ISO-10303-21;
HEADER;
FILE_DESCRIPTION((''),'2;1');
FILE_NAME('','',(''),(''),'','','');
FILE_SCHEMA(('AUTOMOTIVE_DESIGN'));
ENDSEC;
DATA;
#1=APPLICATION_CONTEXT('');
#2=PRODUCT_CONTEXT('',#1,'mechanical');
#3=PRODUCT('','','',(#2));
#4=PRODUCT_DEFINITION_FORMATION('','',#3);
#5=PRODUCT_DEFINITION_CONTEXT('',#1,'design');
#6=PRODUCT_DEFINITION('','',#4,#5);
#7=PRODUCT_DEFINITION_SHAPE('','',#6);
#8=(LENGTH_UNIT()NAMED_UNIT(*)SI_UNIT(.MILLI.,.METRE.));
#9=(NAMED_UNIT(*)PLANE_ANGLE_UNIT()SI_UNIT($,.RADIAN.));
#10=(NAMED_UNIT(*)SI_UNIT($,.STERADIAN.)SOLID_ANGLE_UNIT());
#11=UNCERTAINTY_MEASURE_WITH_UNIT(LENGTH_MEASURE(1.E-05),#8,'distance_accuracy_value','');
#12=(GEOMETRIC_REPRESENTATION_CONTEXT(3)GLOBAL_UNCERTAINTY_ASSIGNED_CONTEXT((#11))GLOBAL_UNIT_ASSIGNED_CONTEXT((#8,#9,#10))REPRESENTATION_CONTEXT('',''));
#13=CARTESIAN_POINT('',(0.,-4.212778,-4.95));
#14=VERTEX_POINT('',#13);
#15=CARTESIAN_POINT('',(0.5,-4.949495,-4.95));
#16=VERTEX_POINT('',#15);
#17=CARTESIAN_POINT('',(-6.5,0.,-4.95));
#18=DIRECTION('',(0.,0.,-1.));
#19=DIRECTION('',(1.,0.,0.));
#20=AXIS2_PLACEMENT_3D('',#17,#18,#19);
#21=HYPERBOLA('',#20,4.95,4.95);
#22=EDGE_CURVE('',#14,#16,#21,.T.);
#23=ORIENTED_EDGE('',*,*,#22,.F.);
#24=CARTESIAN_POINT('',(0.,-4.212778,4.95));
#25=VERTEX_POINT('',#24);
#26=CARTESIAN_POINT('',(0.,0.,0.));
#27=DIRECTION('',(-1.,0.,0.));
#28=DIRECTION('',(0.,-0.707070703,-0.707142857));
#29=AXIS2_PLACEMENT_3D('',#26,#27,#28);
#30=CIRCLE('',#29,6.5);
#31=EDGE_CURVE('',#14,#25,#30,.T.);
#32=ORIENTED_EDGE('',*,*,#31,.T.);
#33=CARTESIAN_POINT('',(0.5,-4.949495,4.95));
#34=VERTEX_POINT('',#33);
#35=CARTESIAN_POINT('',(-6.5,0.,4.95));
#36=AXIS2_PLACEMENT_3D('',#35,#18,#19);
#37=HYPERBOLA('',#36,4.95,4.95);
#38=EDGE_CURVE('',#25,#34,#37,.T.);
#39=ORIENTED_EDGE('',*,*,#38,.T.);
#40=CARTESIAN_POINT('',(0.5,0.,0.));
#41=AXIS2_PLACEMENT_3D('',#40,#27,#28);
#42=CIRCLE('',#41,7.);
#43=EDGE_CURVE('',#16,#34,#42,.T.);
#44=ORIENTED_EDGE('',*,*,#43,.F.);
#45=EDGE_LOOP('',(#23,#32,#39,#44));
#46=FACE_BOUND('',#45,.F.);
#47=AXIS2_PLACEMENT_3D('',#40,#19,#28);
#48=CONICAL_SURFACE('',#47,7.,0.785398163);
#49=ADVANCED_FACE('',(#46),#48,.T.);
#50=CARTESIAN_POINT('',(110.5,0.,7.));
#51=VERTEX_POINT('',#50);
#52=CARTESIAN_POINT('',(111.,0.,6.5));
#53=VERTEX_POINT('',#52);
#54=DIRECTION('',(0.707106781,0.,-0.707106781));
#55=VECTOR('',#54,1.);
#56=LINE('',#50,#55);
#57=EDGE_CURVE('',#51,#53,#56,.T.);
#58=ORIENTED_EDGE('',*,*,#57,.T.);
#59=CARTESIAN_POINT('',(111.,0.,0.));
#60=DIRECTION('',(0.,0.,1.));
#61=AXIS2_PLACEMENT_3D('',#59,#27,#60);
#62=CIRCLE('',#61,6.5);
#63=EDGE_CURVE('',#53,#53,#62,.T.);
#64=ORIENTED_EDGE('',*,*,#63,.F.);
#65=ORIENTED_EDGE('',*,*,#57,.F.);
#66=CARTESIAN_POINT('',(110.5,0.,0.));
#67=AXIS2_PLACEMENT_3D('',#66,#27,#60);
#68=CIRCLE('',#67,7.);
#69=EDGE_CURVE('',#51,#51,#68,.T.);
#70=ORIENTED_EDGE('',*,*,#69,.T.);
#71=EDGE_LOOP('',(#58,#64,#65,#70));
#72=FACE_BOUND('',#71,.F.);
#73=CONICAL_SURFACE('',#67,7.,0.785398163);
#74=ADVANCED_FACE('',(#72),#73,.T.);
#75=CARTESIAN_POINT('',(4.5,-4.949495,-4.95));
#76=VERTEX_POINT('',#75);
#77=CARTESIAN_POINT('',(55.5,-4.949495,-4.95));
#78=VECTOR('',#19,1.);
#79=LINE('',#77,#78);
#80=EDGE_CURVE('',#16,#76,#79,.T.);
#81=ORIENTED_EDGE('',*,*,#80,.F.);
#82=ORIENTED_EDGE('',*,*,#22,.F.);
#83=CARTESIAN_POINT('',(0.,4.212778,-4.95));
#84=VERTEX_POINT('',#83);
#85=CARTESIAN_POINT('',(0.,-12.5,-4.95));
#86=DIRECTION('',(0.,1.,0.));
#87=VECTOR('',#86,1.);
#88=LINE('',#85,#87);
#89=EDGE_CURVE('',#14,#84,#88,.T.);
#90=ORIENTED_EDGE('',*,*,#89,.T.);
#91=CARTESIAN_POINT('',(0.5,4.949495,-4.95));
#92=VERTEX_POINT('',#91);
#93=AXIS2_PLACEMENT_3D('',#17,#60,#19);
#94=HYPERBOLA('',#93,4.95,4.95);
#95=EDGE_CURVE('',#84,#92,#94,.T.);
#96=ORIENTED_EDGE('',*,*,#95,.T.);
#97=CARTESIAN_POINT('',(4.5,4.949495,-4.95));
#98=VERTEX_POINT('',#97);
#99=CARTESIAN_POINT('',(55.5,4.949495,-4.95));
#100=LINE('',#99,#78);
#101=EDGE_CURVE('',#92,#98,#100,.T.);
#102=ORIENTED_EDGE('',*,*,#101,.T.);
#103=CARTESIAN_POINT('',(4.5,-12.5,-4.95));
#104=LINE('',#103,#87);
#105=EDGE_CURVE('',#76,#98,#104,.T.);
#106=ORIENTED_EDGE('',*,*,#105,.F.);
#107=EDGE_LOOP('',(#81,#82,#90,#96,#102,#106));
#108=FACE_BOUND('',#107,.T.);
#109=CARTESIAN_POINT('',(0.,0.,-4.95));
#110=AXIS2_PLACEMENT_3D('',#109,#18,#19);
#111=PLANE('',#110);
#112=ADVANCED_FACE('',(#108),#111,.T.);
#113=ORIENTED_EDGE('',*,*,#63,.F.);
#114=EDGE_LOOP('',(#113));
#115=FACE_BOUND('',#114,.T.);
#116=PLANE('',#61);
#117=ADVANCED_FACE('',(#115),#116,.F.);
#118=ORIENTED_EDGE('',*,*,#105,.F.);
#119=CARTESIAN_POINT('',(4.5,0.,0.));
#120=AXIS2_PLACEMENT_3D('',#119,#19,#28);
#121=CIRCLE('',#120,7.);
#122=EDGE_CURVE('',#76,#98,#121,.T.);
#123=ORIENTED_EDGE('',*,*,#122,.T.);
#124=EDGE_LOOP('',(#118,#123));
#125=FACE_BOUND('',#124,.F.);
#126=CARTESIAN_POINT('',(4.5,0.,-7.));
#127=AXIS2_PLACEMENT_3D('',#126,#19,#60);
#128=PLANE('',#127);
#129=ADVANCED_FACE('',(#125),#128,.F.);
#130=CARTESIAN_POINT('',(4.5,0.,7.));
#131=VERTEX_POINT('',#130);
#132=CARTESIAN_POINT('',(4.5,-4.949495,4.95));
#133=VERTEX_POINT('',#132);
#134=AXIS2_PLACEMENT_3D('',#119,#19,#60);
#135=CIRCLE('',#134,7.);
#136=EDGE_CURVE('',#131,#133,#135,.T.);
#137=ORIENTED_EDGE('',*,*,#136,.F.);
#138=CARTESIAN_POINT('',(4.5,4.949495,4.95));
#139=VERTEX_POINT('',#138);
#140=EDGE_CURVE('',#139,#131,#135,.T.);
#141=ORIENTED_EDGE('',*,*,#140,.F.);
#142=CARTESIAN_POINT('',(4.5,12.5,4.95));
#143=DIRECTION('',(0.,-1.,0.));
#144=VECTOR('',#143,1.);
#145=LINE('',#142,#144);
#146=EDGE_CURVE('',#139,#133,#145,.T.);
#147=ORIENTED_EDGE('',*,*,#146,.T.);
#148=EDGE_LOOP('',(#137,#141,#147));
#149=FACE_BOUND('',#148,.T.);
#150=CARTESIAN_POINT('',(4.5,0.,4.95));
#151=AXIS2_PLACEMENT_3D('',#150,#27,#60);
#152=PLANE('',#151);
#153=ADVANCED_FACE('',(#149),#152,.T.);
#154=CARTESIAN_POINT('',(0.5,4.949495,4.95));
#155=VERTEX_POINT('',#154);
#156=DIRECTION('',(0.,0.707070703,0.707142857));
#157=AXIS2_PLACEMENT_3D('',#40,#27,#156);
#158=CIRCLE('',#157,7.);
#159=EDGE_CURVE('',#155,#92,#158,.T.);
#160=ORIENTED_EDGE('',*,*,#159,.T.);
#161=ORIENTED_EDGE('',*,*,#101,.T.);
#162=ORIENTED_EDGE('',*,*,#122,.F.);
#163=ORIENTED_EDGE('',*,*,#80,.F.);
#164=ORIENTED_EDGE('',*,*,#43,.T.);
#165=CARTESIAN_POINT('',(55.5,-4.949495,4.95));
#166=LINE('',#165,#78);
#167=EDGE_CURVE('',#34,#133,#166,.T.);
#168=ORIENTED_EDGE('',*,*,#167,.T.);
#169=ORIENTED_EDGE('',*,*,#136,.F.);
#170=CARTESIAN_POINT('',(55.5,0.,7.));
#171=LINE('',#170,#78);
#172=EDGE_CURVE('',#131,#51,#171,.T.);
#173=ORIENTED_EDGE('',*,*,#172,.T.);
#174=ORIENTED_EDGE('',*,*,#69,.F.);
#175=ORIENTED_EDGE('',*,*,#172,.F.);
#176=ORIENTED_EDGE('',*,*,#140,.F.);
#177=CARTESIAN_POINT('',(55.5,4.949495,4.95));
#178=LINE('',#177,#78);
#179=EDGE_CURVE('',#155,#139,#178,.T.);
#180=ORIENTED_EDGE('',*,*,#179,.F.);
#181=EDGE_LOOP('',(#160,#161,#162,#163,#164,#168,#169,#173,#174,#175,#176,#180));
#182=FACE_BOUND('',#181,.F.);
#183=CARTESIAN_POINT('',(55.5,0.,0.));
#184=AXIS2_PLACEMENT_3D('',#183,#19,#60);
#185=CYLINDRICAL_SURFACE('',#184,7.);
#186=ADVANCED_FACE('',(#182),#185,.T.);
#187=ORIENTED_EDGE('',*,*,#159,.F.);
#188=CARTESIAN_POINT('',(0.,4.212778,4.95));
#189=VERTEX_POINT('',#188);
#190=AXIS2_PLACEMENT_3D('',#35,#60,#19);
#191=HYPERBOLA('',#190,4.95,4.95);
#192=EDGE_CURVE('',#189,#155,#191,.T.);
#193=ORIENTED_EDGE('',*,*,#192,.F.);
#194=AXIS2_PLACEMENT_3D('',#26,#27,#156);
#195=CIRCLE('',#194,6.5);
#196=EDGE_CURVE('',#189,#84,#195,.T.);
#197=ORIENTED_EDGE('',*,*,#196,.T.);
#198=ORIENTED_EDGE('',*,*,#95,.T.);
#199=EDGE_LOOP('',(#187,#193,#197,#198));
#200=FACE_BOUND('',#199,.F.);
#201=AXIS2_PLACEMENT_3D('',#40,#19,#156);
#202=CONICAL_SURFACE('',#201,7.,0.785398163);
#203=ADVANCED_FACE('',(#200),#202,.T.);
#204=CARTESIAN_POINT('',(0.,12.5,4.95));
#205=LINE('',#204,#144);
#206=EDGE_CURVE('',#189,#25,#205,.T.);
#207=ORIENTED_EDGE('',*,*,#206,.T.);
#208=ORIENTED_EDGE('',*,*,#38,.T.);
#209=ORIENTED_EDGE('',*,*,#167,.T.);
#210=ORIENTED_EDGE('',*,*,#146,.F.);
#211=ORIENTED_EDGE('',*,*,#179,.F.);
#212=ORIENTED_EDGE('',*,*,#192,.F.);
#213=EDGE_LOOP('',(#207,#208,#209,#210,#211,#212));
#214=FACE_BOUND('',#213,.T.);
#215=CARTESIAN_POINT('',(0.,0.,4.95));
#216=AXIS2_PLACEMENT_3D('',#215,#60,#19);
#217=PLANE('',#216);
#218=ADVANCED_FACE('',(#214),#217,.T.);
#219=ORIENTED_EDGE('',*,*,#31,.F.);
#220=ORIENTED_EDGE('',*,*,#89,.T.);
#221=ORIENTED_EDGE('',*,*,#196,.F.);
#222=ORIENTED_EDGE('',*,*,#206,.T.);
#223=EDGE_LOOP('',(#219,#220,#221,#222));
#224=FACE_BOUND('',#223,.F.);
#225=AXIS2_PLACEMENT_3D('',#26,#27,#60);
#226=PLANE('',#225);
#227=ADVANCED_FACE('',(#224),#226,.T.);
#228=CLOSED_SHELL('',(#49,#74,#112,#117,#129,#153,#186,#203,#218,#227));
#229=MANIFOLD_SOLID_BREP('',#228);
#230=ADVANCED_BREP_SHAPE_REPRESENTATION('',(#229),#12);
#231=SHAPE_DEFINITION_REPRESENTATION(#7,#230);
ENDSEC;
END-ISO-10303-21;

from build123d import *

# Parameters (mm, degrees)
F0_W     = 111
F0_H     = 7
F2_W     = 4.5
F2_H     = 2.05
F3_DEPTH = 12.5
F4_SIZE  = 0.5


with BuildPart() as f1:
    # F0 (on Front) → F1 (revolve)
    with BuildSketch(Plane.XZ):
        with Locations((55.5, 3.5)):
            Rectangle(F0_W, F0_H)
    revolve(axis=Axis((55.5, 0, 0), (-1, 0, 0)))

    # F2 (on Front) → F3 (cut, symmetric)
    with BuildSketch(Plane.XZ):
        with Locations((2.25, 5.975)):
            Rectangle(F2_W, F2_H)
        with Locations((2.25, -5.975)):
            Rectangle(F2_W, F2_H)
    extrude(amount=F3_DEPTH, both=True, mode=Mode.SUBTRACT)

    # F4
    f4_edges = [f1.edges().sort_by_distance(p)[0] for p in [
        (0, -7, 0),
        (0, 7, 0),
        (111, 0, -7),
    ]]
    chamfer(f4_edges, length=F4_SIZE)


solid = f1.part
